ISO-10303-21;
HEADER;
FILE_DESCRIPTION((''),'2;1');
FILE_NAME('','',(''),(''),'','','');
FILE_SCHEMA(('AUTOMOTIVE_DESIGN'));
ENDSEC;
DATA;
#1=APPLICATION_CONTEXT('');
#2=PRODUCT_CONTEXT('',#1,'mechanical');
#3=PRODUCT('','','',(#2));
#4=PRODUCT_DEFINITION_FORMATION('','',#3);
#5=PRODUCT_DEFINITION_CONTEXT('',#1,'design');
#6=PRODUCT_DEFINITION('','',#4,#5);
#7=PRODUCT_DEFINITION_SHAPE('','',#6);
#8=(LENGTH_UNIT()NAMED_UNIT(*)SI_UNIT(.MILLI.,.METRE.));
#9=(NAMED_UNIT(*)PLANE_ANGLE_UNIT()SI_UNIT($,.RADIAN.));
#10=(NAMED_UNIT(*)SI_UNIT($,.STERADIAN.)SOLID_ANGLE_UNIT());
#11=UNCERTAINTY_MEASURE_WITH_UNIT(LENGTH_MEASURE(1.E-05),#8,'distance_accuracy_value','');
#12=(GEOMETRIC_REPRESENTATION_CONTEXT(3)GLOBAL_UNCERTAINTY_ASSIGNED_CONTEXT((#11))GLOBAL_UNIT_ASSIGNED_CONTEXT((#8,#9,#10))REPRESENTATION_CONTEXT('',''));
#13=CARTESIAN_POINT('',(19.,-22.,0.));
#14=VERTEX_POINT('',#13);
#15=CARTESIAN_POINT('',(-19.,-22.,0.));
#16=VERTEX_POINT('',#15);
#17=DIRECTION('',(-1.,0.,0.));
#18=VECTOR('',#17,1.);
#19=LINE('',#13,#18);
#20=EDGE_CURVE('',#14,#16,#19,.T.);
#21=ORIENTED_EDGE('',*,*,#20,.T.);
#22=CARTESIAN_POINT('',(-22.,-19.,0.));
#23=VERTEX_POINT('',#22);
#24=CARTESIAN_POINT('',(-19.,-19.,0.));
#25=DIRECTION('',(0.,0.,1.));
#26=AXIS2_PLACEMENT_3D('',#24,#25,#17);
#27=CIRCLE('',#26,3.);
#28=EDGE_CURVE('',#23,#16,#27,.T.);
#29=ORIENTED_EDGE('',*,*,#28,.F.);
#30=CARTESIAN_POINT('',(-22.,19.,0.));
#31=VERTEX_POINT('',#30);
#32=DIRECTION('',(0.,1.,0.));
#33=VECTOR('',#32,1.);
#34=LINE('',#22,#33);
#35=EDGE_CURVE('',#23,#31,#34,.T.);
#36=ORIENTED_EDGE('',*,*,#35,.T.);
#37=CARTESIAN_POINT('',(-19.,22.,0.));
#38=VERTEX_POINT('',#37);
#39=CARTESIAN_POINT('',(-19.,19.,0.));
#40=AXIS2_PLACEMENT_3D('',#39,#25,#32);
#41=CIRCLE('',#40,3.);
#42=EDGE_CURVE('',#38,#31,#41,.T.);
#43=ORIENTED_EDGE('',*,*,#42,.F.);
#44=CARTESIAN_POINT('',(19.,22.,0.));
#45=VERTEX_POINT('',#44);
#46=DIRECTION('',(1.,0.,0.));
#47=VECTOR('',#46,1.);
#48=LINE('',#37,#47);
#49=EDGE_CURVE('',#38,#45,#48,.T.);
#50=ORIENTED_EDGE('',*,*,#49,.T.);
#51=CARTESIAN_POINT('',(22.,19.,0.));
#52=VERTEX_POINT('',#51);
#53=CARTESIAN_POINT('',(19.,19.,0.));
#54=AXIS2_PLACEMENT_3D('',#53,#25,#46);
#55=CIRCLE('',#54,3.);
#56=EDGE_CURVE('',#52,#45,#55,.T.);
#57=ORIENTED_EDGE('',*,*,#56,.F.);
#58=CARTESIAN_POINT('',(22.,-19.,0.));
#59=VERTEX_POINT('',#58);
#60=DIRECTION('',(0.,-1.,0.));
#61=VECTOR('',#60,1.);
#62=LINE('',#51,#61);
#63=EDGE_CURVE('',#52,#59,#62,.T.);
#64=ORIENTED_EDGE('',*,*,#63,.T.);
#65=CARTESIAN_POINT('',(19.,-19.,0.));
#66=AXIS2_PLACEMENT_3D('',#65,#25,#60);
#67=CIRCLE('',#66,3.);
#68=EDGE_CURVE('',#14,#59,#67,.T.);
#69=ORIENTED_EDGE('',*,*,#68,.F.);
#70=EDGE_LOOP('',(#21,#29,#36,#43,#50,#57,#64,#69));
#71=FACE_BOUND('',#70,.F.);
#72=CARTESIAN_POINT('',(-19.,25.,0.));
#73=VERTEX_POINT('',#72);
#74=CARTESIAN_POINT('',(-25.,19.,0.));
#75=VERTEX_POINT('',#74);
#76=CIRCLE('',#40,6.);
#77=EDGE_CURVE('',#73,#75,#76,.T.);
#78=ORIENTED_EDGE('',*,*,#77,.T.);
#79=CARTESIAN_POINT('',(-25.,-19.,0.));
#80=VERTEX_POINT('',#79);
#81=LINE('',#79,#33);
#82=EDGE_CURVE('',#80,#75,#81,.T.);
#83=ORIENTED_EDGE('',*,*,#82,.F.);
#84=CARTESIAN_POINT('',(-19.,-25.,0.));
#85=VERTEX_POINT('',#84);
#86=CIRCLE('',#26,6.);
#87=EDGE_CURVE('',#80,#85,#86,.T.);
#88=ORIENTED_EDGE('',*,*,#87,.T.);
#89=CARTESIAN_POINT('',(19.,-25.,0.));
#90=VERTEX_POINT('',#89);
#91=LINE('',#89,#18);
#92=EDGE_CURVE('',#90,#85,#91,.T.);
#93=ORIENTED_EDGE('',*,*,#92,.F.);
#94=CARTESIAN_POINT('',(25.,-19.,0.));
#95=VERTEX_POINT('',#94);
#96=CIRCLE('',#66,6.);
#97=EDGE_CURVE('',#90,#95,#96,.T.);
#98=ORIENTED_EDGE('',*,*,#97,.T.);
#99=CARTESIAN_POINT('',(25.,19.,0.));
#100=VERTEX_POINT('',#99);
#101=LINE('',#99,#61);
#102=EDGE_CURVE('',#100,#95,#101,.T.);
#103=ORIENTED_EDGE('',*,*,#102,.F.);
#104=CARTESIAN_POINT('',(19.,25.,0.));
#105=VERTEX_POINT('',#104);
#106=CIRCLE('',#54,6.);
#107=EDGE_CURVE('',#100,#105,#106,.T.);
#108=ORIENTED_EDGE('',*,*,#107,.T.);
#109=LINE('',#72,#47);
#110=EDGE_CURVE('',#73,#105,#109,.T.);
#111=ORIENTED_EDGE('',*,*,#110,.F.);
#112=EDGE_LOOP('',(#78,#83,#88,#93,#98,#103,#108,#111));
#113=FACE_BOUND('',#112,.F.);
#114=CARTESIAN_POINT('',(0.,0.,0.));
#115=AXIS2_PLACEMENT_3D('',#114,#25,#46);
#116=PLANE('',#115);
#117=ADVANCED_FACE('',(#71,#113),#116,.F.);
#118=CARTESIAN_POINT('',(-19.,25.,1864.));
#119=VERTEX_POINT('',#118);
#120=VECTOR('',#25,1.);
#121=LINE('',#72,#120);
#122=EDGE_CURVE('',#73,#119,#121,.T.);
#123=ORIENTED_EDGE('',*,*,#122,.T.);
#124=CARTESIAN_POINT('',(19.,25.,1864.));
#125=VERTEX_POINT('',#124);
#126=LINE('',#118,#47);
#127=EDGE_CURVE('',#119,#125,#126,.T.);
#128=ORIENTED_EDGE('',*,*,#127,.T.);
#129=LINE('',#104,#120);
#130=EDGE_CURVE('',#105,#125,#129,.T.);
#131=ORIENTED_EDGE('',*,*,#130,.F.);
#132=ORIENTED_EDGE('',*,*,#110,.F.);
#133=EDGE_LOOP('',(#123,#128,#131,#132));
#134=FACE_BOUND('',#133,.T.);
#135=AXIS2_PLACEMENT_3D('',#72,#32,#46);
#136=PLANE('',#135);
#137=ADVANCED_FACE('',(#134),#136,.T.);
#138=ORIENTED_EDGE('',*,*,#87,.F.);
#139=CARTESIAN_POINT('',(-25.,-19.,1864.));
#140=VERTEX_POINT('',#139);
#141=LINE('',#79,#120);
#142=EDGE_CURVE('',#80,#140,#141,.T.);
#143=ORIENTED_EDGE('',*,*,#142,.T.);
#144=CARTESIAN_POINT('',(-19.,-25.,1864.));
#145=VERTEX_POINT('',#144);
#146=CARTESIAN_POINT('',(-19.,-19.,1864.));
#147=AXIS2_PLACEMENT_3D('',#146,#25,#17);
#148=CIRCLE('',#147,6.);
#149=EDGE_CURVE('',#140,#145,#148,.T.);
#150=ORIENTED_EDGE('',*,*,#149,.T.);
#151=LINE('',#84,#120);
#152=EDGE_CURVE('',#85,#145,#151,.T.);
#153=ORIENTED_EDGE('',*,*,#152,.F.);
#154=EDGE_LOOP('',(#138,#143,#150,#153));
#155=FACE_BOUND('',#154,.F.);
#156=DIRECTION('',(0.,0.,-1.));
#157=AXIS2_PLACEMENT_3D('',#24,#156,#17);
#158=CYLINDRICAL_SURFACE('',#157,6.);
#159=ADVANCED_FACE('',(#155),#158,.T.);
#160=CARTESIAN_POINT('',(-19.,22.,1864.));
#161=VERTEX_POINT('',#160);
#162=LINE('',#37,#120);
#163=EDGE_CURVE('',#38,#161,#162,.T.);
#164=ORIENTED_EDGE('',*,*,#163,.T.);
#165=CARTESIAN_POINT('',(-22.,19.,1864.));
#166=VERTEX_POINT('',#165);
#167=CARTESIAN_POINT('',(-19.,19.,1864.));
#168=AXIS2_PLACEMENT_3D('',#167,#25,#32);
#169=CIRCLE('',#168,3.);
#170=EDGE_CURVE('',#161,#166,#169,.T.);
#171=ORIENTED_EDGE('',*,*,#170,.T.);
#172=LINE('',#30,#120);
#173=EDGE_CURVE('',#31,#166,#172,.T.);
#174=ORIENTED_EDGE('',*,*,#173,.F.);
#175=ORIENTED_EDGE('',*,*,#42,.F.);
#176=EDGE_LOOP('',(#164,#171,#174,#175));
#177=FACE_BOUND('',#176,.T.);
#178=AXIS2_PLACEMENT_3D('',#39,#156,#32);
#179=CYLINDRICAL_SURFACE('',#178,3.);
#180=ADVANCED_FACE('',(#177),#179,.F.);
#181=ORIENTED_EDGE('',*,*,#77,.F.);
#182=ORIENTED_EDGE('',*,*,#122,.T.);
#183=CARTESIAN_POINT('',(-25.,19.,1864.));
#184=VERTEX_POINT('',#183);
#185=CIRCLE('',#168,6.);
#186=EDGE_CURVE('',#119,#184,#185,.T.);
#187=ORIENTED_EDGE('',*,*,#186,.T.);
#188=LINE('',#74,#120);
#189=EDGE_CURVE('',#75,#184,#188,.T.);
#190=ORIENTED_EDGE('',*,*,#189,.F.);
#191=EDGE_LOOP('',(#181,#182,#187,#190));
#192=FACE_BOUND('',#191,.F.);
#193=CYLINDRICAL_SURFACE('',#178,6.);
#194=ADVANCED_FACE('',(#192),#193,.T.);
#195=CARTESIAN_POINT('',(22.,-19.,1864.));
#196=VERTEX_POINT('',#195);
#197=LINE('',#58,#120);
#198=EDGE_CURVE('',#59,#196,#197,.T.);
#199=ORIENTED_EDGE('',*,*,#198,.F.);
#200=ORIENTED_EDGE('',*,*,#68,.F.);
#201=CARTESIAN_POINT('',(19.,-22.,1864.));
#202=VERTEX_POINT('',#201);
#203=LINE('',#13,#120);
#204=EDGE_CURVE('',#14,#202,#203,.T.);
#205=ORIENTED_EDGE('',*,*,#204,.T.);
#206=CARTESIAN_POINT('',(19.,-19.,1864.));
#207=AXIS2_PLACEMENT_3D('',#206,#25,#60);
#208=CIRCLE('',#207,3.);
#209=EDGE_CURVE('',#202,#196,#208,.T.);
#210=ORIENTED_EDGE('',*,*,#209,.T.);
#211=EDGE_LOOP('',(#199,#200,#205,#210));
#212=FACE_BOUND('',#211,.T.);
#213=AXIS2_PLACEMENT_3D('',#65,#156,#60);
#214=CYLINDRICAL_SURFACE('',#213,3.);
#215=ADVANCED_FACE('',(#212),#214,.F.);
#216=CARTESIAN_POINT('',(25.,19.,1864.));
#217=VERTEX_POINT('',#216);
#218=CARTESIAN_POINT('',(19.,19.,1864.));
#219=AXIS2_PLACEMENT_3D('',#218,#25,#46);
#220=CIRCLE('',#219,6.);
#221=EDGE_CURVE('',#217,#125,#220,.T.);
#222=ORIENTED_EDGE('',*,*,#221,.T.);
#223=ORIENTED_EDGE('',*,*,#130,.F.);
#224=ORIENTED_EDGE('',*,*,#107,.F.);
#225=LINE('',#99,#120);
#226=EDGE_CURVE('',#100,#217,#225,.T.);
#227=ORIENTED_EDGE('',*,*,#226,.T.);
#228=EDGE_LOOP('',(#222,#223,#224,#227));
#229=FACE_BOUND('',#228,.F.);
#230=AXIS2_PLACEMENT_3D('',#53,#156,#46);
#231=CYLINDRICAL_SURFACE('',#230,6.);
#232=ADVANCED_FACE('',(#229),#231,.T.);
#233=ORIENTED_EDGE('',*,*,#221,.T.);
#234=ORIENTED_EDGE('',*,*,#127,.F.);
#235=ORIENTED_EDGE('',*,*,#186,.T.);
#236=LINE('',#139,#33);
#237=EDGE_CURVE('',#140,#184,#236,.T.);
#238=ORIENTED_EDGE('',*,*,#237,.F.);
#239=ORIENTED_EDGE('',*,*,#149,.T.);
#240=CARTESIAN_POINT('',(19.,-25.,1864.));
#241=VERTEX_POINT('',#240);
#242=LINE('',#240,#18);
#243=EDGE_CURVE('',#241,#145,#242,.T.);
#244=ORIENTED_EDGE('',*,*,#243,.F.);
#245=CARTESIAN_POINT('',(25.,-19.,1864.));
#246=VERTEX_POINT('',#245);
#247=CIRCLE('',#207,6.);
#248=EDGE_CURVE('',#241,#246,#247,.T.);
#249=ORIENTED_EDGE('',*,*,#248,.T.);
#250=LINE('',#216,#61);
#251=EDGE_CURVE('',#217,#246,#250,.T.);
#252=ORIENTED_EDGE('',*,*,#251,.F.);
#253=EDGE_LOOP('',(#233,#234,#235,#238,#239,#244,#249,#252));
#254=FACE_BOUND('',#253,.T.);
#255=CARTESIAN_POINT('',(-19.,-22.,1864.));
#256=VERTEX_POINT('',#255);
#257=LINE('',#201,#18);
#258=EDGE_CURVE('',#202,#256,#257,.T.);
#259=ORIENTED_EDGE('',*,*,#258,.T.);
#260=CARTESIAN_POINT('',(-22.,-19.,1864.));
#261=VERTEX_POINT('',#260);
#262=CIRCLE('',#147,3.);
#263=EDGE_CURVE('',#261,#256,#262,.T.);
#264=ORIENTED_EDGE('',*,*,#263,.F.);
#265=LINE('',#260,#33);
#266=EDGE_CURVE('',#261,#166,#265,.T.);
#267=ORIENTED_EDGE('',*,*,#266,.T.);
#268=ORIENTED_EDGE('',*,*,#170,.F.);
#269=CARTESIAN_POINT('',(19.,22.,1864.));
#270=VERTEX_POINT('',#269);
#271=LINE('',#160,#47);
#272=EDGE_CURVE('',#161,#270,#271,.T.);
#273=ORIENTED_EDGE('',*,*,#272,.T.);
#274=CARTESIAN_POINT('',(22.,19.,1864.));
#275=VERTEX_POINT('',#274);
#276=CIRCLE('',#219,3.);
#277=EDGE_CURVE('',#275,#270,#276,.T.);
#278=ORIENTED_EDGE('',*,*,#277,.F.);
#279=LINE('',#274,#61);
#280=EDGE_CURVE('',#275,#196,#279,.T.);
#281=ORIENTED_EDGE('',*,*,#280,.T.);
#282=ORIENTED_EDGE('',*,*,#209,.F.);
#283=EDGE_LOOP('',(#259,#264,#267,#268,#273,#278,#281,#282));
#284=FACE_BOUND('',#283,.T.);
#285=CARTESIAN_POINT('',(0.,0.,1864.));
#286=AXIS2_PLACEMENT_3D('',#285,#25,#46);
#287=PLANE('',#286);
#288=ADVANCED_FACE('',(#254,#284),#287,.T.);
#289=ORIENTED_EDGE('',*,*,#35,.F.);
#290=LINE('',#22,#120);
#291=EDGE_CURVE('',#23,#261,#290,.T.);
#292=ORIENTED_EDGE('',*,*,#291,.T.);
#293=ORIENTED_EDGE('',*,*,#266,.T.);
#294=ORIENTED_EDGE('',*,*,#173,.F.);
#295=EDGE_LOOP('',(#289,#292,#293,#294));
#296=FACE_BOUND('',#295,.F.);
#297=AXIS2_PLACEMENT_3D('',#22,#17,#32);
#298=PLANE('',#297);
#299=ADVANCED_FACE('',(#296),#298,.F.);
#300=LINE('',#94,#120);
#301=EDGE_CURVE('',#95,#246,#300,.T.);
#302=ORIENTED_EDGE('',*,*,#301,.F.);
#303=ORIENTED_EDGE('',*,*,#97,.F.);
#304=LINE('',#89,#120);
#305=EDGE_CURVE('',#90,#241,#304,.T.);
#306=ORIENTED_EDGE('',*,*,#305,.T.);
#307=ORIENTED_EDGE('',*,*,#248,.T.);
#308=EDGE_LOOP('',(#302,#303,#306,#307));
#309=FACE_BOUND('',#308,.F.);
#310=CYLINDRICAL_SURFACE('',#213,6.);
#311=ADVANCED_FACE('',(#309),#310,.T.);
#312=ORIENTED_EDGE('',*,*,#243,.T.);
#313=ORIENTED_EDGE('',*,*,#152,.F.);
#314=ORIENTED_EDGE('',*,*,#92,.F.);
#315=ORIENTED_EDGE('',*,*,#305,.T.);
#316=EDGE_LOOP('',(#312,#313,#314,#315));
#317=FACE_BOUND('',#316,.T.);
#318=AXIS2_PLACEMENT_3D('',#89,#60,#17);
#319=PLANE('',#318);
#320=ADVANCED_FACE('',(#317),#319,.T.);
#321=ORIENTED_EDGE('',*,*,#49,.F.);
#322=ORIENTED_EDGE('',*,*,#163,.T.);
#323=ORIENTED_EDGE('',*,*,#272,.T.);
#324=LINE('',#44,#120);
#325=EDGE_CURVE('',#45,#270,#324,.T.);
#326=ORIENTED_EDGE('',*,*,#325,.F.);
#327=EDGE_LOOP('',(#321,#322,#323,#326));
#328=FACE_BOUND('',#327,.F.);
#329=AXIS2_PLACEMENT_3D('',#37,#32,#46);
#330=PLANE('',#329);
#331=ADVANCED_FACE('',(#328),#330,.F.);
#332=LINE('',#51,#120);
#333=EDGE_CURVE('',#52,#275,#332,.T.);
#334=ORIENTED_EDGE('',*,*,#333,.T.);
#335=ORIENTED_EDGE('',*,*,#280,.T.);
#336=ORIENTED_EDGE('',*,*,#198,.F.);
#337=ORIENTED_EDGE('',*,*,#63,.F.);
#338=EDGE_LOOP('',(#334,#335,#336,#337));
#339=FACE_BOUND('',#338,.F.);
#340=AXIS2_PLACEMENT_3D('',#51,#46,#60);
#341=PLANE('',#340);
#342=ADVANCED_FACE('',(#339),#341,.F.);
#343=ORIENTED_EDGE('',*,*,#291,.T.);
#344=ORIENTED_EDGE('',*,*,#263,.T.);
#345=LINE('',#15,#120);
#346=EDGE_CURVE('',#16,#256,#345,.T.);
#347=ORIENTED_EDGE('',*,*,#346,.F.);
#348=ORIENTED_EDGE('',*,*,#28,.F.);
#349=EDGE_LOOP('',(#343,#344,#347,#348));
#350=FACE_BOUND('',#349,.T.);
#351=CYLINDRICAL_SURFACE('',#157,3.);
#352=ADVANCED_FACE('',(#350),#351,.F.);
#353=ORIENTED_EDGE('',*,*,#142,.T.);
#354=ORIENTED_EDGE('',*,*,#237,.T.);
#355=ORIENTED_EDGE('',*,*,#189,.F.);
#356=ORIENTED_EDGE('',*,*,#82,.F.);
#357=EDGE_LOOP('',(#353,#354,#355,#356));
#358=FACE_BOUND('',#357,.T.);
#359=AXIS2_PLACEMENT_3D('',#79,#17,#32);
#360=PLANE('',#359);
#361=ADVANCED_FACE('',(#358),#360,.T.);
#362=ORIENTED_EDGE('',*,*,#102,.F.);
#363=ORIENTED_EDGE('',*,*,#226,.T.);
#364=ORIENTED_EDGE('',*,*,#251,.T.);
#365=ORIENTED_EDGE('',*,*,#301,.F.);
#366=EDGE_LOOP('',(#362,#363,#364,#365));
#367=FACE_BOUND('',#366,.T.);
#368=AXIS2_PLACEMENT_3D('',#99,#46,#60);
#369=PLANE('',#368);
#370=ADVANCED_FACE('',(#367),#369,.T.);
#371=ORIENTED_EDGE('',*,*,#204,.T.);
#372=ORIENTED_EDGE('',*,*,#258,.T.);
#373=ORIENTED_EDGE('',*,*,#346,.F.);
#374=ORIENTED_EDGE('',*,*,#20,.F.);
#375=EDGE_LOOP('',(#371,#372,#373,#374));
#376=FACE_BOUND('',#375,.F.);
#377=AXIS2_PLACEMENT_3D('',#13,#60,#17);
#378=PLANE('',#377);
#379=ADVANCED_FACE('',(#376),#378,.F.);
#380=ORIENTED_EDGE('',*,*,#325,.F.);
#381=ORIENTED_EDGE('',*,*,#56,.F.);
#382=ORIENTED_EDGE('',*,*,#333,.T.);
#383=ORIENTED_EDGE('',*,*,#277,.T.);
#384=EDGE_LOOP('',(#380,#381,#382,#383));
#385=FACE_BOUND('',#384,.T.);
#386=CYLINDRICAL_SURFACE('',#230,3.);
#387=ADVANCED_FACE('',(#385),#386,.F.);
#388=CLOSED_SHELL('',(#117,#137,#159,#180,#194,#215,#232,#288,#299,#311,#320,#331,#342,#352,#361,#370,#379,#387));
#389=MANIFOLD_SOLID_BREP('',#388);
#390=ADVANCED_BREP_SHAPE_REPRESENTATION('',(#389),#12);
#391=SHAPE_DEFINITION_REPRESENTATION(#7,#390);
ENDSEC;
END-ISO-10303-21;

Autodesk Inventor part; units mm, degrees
ref_plane "YZ Plane" through (0, 0, 0) normal (1, 0, 0) x (0, 1, 0)
ref_plane "Start Plane" through (0, 0, 0) normal (0, 0, 1) x (1, 0, 0)
ref_plane "End Plane" through (0, 0, 1864) normal (0, 0, 1) x (1, 0, 0)
sketch "Sketch" plane through (0, 0, 0) normal (0, 0, 1) x (1, 0, 0)
  line L0 (-25, -19) -> (-25, 19)
  line L1 (-19, 25) -> (19, 25)
  line L2 (25, 19) -> (25, -19)
  line L3 (19, -25) -> (-19, -25)
  arc A0 (-25, -19) -> (-19, -25) centre (-19, -19) ccw
  arc A1 (25, 19) -> (19, 25) centre (19, 19) ccw
  arc A2 (-19, 25) -> (-25, 19) centre (-19, 19) ccw
  arc A3 (19, -25) -> (25, -19) centre (19, -19) ccw
  arc A4 (-19, 22) -> (-22, 19) centre (-19, 19) ccw
  line L4 (-19, 22) -> (19, 22)
  arc A5 (22, 19) -> (19, 22) centre (19, 19) ccw
  line L5 (22, 19) -> (22, -19)
  arc A6 (19, -22) -> (22, -19) centre (19, -19) ccw
  line L6 (19, -22) -> (-19, -22)
  arc A7 (-22, -19) -> (-19, -22) centre (-19, -19) ccw
  line L7 (-22, -19) -> (-22, 19)
  line L8 (0, 36.7397) -> (0, -36.7397) construction
  line L9 (-36.7397, 0) -> (36.7397, 0) construction
  dimension "d7" = 6
  dimension "d9" = 50
  dimension "d11" = 50
  dimension "d12" = 3
  dimension "d15" = 25
  dimension "d16" = 25
extrude "Body" add sketch "Sketch" along normal up to surface (1864 mm away) from surface at 0
sketch "Sketch3" plane through (0, 0, 0) normal (0, 0, 1) x (1, 0, 0)
  line L0 (0, 0) -> (10, 0)
ref_plane "Work Plane3" through (0, 0, 0) normal (0, -1, 0) x (1, 0, 0)
sketch "Sketch4" plane through (0, 0, 0) normal (0, -1, 0) x (1, 0, 0)
  line L0 (-2, 0) -> (12, 0) projected
  line L1 (-2, 1864) -> (12, 1864) projected
  dimension "d18" = 1864
equation "\"d7\" = G_IR"
equation "\"d9\" = G_W"
equation "\"d11\" = G_H"
equation "\"d12\" = G_T"
equation "\"d15\" = 0.5 * d9"
equation "\"d16\" = 0.5 * d11"
equation "\"d3\" = G_L"
equation "\"G_W\" = 50"
equation "\"G_H\" = 50"
equation "\"G_T\" = 3"
equation "\"G_IR\" = 6"
equation "\"G_L\" = d18"
equation "\"G_OFFSET_START\" = 0"
equation "\"G_OFFSET_END\" = 0"
equation "\"d14\" = G_OFFSET_END + B_L"
equation "\"B_L\" = 1864"
properties part number "ISO 10799-2 - 50x50x3 - 1864" material "Steel, Mild"
